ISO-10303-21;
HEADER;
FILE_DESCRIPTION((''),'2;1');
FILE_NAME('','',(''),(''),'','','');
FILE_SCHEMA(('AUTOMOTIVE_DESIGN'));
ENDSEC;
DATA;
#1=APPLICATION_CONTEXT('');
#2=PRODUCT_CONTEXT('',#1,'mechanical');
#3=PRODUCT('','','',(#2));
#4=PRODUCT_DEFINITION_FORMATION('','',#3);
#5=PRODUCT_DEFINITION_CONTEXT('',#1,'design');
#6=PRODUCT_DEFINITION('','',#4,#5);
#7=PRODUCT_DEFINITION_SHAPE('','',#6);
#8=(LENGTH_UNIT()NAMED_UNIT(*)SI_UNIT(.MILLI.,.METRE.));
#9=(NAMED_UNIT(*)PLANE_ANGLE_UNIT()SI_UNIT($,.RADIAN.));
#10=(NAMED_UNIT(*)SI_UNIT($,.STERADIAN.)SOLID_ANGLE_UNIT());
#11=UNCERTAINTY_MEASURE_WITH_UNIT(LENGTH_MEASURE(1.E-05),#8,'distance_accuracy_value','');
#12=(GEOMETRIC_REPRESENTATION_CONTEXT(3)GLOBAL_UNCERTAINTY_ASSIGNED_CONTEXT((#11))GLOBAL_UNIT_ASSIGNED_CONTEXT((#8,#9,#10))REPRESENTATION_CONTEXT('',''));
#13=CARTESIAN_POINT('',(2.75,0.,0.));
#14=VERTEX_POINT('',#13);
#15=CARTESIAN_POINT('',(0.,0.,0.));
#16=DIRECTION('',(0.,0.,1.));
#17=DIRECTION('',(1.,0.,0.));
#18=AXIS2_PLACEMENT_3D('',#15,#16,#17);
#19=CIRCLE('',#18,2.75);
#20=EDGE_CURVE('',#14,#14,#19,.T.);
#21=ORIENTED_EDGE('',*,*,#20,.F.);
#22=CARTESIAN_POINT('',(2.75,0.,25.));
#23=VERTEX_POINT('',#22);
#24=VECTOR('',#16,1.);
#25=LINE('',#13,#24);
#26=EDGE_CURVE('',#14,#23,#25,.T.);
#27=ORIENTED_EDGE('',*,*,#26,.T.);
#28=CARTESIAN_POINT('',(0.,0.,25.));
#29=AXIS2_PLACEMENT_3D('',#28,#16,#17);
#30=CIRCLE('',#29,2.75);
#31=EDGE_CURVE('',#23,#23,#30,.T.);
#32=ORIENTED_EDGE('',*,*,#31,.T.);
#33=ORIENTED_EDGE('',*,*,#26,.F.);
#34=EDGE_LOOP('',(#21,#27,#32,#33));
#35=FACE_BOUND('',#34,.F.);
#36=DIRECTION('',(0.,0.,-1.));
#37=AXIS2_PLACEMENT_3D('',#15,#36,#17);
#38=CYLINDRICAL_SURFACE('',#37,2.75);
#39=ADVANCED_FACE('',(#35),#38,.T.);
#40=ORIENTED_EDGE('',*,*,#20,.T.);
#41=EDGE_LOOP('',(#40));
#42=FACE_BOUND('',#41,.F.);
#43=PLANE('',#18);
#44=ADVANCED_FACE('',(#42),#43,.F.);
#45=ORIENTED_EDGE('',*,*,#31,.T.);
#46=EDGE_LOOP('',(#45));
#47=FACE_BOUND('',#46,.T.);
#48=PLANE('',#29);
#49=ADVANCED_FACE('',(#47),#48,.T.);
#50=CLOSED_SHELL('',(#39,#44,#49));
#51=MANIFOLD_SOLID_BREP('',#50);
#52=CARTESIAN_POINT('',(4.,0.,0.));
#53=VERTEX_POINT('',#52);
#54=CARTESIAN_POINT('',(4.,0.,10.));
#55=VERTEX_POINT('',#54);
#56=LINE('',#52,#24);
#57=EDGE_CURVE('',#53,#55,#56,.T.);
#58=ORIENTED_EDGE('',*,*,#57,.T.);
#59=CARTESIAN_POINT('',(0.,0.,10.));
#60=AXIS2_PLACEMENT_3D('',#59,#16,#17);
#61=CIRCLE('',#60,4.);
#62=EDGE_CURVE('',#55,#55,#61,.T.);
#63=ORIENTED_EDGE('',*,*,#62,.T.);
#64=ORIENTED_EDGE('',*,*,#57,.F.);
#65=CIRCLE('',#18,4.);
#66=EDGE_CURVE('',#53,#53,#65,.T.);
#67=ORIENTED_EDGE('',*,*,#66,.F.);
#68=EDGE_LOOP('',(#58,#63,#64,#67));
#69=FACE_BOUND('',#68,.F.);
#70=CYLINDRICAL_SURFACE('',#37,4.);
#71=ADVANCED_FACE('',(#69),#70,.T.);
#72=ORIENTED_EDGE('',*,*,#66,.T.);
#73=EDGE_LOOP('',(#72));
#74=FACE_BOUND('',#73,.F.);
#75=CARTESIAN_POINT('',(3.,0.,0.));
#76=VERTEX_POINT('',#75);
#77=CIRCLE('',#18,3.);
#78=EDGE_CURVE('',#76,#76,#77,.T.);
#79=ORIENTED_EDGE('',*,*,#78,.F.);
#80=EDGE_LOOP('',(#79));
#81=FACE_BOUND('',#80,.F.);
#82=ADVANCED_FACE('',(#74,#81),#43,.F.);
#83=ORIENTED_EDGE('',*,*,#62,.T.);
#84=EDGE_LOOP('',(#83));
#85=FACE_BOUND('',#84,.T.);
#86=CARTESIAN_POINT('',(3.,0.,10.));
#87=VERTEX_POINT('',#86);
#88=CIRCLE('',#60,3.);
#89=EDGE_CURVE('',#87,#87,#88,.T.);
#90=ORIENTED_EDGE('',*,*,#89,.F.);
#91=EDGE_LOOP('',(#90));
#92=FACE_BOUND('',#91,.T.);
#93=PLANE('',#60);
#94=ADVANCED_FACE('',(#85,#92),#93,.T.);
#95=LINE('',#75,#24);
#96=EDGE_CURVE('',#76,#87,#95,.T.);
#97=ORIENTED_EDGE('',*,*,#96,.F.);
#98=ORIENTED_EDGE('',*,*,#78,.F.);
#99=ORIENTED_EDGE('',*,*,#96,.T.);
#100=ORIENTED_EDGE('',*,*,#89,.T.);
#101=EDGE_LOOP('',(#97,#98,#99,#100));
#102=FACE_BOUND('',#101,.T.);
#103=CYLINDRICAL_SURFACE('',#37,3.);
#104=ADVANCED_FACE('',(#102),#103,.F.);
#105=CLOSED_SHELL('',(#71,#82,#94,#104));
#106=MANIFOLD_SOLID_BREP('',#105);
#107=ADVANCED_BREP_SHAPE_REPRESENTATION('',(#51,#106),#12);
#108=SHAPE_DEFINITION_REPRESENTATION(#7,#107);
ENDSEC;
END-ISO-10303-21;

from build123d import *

# Parameters (mm, degrees)
F0_R     = 4
F0_R_2   = 3
F1_DEPTH = 10
F2_R     = 2.75
F3_DEPTH = 25


with BuildPart() as f1:
    # F0 (on Top) → F1 (new body)
    with BuildSketch(Plane.XY):
        Circle(F0_R)
        Circle(F0_R_2, mode=Mode.SUBTRACT)
    extrude(amount=F1_DEPTH)


with BuildPart() as f3:
    # F2 (on face) → F3 (new body)
    with BuildSketch(Plane.XY):
        Circle(F2_R)
    extrude(amount=F3_DEPTH)


solid = Compound([f1.part, f3.part])
